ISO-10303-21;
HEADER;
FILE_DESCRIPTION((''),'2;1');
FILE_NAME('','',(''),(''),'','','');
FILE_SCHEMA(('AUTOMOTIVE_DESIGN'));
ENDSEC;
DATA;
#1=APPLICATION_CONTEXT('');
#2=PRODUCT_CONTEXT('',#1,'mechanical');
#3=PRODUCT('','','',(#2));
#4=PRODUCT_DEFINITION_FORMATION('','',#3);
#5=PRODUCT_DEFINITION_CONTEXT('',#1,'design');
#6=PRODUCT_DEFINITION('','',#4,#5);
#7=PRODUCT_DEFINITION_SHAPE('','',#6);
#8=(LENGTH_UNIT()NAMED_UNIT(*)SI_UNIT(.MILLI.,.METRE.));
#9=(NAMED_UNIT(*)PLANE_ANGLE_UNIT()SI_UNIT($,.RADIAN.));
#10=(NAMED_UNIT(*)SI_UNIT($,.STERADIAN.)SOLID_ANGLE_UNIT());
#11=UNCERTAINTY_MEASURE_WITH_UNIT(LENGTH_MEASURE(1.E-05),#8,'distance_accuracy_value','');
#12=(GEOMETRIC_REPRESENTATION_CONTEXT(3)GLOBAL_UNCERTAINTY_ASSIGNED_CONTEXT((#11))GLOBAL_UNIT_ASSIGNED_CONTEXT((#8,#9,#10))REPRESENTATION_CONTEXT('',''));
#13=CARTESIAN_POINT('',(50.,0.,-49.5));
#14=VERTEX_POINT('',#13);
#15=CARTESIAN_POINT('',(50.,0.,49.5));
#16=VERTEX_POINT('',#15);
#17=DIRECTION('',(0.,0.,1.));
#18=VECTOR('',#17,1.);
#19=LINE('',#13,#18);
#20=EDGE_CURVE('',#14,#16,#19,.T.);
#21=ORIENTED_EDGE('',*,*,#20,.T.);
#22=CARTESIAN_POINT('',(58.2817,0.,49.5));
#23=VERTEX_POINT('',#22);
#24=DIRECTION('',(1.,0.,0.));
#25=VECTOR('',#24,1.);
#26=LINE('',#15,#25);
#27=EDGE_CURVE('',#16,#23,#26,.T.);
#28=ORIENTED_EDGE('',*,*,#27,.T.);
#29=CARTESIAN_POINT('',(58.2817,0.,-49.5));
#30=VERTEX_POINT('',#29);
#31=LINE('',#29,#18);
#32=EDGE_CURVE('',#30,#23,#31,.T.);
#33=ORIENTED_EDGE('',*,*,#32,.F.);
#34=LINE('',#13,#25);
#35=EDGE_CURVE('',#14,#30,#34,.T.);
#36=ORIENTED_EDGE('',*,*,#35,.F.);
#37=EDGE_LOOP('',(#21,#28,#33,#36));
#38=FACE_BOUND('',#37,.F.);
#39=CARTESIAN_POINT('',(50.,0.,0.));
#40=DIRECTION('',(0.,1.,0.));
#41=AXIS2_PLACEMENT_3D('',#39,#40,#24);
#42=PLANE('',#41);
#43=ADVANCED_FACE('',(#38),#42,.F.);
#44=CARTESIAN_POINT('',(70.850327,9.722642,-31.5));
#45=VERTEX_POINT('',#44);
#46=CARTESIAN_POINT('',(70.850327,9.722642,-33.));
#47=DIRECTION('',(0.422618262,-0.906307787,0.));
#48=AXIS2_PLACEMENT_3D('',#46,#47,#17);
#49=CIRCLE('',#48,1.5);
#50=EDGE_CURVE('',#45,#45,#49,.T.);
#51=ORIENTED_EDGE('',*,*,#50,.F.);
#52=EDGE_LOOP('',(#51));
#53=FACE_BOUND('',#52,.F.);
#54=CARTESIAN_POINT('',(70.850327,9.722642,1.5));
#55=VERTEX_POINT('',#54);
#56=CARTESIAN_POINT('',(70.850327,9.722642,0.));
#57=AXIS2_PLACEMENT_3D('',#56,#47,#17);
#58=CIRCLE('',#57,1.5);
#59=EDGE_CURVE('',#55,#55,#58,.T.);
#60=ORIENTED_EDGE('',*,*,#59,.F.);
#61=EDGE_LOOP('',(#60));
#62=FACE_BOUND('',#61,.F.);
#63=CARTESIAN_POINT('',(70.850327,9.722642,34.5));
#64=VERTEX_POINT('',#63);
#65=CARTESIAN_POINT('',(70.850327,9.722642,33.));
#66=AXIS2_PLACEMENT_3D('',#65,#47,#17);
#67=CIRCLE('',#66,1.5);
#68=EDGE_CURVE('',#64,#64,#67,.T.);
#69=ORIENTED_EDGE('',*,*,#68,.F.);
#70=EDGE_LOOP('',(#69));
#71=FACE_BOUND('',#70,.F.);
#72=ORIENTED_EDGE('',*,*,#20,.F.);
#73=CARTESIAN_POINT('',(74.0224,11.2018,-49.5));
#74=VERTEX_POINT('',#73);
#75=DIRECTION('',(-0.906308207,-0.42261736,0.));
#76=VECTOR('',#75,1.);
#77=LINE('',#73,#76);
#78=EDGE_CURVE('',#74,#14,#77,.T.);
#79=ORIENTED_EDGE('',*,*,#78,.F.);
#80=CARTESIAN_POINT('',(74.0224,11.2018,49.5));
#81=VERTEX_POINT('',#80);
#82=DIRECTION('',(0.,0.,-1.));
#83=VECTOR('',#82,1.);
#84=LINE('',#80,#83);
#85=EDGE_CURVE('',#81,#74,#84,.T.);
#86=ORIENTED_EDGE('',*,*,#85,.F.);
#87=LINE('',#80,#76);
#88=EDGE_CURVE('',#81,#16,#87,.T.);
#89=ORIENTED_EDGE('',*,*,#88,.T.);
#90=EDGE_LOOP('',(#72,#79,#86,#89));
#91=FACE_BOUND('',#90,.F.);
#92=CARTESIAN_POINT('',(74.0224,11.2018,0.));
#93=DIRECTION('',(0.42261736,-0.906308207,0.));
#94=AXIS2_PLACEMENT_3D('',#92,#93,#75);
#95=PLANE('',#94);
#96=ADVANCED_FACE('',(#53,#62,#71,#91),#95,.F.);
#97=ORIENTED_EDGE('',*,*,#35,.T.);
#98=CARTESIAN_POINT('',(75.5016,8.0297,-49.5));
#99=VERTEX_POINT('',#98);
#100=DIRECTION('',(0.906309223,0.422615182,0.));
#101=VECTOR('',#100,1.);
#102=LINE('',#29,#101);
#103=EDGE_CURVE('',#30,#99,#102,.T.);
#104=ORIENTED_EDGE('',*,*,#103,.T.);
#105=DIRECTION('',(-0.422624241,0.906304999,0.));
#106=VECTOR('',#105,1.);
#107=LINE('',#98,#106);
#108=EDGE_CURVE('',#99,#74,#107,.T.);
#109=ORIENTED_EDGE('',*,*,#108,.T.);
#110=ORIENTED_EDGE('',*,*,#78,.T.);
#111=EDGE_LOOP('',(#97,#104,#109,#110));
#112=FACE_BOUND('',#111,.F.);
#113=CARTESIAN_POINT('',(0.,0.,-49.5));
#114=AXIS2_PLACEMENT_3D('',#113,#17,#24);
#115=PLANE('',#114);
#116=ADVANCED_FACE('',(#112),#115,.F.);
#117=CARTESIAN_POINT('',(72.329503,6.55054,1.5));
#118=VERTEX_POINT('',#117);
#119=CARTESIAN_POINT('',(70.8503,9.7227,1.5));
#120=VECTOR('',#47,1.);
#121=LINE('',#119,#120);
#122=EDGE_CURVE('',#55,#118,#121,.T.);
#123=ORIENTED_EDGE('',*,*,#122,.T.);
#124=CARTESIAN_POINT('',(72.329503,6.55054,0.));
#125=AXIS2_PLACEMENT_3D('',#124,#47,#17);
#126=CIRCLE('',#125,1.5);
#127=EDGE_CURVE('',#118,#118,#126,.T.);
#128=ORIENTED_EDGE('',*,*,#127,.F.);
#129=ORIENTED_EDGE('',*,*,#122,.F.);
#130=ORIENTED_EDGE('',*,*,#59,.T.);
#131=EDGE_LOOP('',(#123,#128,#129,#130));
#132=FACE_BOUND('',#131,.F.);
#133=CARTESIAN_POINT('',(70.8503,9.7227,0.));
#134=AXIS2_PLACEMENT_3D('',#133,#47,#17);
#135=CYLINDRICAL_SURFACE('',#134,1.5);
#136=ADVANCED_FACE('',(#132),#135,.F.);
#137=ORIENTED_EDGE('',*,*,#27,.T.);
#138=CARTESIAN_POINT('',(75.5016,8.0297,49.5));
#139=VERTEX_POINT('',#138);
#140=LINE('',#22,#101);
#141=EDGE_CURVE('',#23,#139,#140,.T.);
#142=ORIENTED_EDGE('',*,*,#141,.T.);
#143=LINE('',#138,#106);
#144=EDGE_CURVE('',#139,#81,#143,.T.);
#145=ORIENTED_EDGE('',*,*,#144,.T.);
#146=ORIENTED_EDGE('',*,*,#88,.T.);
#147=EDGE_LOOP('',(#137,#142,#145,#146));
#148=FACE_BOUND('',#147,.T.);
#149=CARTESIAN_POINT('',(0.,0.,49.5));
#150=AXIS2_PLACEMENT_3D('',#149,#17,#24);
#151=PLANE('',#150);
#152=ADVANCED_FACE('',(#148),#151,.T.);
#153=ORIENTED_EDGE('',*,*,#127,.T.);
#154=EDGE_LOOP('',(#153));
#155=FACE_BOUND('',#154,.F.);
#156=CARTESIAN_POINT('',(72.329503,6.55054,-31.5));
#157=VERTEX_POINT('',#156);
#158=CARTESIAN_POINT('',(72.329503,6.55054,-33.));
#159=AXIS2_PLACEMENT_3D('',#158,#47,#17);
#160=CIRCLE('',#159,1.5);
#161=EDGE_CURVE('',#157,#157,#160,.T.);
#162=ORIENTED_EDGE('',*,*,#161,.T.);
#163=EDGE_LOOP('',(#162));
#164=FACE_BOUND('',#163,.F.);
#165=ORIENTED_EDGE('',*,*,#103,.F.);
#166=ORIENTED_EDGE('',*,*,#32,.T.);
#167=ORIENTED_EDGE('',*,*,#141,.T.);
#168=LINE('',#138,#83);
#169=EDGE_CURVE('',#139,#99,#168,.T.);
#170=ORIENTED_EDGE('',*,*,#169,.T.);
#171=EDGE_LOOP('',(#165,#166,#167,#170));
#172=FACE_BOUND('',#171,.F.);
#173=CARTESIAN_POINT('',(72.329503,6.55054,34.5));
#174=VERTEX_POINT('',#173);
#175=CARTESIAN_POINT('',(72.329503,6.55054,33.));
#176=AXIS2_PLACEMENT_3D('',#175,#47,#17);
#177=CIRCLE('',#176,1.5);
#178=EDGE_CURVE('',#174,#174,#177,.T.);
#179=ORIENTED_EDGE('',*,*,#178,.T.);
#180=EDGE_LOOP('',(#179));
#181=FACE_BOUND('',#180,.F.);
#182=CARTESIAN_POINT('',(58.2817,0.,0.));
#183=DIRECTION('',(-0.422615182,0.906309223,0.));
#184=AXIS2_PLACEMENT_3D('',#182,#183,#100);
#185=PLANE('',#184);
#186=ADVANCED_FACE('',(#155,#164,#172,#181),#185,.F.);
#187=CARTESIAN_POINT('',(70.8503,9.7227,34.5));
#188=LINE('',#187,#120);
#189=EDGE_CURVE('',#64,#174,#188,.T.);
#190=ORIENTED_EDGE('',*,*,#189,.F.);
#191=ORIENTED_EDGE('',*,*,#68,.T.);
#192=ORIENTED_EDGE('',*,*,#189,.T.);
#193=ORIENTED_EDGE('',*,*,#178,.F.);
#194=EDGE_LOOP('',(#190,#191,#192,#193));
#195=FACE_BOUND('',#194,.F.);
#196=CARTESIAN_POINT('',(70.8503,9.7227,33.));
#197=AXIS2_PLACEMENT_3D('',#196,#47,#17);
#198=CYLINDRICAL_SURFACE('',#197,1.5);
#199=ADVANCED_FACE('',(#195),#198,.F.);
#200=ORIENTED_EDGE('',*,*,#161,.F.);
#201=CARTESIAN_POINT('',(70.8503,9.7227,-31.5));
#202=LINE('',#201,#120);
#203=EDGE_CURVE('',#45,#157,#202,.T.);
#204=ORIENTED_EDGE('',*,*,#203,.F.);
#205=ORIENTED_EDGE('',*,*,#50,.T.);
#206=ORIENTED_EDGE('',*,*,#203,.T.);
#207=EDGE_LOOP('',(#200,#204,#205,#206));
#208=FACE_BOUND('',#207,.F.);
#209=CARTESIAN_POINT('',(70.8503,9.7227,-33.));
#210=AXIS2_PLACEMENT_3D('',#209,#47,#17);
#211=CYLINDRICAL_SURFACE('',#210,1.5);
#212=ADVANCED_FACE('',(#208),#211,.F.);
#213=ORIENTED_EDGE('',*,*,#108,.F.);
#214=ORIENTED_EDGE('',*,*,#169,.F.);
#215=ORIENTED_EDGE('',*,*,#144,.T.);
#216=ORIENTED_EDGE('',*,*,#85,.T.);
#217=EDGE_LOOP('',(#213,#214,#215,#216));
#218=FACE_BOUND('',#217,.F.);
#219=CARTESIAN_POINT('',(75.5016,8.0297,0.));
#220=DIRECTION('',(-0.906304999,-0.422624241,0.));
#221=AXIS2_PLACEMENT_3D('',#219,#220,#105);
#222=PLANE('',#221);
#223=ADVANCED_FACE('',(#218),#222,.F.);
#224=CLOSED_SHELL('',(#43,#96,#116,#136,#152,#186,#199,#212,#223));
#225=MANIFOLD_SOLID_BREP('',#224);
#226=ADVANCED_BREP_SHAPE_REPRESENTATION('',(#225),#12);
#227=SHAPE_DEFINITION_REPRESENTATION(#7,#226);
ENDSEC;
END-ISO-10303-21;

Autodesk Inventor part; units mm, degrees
ref_plane "YZ Plane" through (0, 0, 0) normal (1, 0, 0) x (0, 1, 0)
ref_plane "XZ Plane" through (0, 0, 0) normal (0, 1, 0) x (-1, 0, 0)
ref_plane "XY Plane" through (0, 0, 0) normal (0, 0, 1) x (1, 0, 0)
sketch "Náčrt1" plane through (0, 0, 0) normal (0, 0, 1) x (1, 0, 0)
  line L0 (0, 0) -> (11.831, 0)
  line L1 (11.831, 0) -> (26.7952, 6.9779)
  line L2 (26.7952, 6.9779) -> (24.6821, 11.5094)
  line L3 (24.6821, 11.5094) -> (0, 0)
  line L4 (0, 0) -> (26.7952, 0) construction
  line L5 (18.5187, 6.9803) -> (25.316, 10.15) construction
  line L6 (25.316, 10.15) -> (24.2277, 7.1599) construction
  line L7 (24.2277, 7.1599) -> (26.6578, 1.9486) construction
  line L8 (26.6578, 1.9486) -> (23.9388, 0.6808) construction
  line L9 (23.9388, 0.6808) -> (21.5088, 5.892) construction
  line L10 (21.5088, 5.892) -> (18.5187, 6.9803) construction
  line L11 (23.7275, 1.1339) -> (22.3681, 0.5) construction
  line L12 (26.4465, 2.4018) -> (27.8059, 3.0357) construction
  line L13 (22.3681, 0.5) -> (21.5228, 2.3126) construction
  line L14 (21.5228, 2.3126) -> (26.9607, 4.8483) construction
  line L15 (26.9607, 4.8483) -> (27.8059, 3.0357) construction
  line L16 (50, 0) -> (58.2817, 0)
  line L17 (58.2817, 0) -> (75.5016, 8.0297)
  line L18 (75.5016, 8.0297) -> (74.0224, 11.2018)
  line L19 (74.0224, 11.2018) -> (50, 0)
  line L20 (50, 0) -> (75.5016, 0) construction
  line L21 (69.7022, 8.6356) -> (72.1322, 3.4243) construction
  line L22 (72.1322, 3.4243) -> (71.0439, 0.4342) construction
  line L23 (71.0439, 0.4342) -> (77.8412, 3.6039) construction
  line L24 (77.8412, 3.6039) -> (74.8511, 4.6922) construction
  line L25 (74.8511, 4.6922) -> (72.4211, 9.9034) construction
  line L26 (72.4211, 9.9034) -> (69.7022, 8.6356) construction
  line L27 (21.9174, 8.5652) -> (21.2834, 9.9246) construction
  line L28 (71.0616, 9.2695) -> (70.8503, 9.7227) construction
  dimension "d8" = 5
  dimension "d9" = 25
  dimension "d11" = 8
  dimension "d12" = 3
  dimension "d13" = 45
  dimension "d14" = 7.5
  dimension "d16" = 0
  dimension "d17" = 6
  dimension "d18" = 0.5
  dimension "d19" = 0.5
  dimension "d20" = 2
  dimension "d21" = 27.2337
  dimension "d22" = 3.5
  dimension "d23" = 25
  dimension "d34" = 26.5058
  dimension "d35" = 50
  dimension "d36" = 45
  dimension "d37" = 3
  dimension "d38" = 7.5
  dimension "d39" = 8
  dimension "d42" = 2
  dimension "d44" = 2
  dimension "d59" = 5
  dimension "d63" = 0.5
  dimension "d64" = 19
  dimension "d65" = 0.4342
extrude "Vysunutí1" add sketch "Náčrt1" along normal mid plane 99 contours L19 L18 L17 L16
sketch "Náčrt3" plane through (50, 0, 49.5) normal (-0.4226, 0.9063, 0) x (0.9063, 0.4226, 0)
  line L0 (23.0058, 49.5) -> (23.0058, 82.5) construction
  line L1 (23.0058, 82.5) -> (23.0058, 115.5) construction
  line L2 (0, 99) -> (26.5058, 99) projected
  line L3 (23.0058, 49.5) -> (23.0058, 16.5) construction
  point P0 (-45.3154, 49.5)
  point P1 (23.0058, 99)
hole "Díra2" at (70.8503, 9.7227, 0) at (70.8503, 9.7227, -33) at (70.8503, 9.7227, 33) direction (0.4226, -0.9063, 0) diameter 3 end through all
thread "Závit1" size "M3x0.5" class "6H" standard "ANSI Metric M Profile" full length
thread "Závit2" size "M3x0.5" class "6H" standard "ANSI Metric M Profile" full length
thread "Závit3" size "M3x0.5" class "6H" standard "ANSI Metric M Profile" full length
properties part number "lowerRamp" material "Ocel, uhlík"
